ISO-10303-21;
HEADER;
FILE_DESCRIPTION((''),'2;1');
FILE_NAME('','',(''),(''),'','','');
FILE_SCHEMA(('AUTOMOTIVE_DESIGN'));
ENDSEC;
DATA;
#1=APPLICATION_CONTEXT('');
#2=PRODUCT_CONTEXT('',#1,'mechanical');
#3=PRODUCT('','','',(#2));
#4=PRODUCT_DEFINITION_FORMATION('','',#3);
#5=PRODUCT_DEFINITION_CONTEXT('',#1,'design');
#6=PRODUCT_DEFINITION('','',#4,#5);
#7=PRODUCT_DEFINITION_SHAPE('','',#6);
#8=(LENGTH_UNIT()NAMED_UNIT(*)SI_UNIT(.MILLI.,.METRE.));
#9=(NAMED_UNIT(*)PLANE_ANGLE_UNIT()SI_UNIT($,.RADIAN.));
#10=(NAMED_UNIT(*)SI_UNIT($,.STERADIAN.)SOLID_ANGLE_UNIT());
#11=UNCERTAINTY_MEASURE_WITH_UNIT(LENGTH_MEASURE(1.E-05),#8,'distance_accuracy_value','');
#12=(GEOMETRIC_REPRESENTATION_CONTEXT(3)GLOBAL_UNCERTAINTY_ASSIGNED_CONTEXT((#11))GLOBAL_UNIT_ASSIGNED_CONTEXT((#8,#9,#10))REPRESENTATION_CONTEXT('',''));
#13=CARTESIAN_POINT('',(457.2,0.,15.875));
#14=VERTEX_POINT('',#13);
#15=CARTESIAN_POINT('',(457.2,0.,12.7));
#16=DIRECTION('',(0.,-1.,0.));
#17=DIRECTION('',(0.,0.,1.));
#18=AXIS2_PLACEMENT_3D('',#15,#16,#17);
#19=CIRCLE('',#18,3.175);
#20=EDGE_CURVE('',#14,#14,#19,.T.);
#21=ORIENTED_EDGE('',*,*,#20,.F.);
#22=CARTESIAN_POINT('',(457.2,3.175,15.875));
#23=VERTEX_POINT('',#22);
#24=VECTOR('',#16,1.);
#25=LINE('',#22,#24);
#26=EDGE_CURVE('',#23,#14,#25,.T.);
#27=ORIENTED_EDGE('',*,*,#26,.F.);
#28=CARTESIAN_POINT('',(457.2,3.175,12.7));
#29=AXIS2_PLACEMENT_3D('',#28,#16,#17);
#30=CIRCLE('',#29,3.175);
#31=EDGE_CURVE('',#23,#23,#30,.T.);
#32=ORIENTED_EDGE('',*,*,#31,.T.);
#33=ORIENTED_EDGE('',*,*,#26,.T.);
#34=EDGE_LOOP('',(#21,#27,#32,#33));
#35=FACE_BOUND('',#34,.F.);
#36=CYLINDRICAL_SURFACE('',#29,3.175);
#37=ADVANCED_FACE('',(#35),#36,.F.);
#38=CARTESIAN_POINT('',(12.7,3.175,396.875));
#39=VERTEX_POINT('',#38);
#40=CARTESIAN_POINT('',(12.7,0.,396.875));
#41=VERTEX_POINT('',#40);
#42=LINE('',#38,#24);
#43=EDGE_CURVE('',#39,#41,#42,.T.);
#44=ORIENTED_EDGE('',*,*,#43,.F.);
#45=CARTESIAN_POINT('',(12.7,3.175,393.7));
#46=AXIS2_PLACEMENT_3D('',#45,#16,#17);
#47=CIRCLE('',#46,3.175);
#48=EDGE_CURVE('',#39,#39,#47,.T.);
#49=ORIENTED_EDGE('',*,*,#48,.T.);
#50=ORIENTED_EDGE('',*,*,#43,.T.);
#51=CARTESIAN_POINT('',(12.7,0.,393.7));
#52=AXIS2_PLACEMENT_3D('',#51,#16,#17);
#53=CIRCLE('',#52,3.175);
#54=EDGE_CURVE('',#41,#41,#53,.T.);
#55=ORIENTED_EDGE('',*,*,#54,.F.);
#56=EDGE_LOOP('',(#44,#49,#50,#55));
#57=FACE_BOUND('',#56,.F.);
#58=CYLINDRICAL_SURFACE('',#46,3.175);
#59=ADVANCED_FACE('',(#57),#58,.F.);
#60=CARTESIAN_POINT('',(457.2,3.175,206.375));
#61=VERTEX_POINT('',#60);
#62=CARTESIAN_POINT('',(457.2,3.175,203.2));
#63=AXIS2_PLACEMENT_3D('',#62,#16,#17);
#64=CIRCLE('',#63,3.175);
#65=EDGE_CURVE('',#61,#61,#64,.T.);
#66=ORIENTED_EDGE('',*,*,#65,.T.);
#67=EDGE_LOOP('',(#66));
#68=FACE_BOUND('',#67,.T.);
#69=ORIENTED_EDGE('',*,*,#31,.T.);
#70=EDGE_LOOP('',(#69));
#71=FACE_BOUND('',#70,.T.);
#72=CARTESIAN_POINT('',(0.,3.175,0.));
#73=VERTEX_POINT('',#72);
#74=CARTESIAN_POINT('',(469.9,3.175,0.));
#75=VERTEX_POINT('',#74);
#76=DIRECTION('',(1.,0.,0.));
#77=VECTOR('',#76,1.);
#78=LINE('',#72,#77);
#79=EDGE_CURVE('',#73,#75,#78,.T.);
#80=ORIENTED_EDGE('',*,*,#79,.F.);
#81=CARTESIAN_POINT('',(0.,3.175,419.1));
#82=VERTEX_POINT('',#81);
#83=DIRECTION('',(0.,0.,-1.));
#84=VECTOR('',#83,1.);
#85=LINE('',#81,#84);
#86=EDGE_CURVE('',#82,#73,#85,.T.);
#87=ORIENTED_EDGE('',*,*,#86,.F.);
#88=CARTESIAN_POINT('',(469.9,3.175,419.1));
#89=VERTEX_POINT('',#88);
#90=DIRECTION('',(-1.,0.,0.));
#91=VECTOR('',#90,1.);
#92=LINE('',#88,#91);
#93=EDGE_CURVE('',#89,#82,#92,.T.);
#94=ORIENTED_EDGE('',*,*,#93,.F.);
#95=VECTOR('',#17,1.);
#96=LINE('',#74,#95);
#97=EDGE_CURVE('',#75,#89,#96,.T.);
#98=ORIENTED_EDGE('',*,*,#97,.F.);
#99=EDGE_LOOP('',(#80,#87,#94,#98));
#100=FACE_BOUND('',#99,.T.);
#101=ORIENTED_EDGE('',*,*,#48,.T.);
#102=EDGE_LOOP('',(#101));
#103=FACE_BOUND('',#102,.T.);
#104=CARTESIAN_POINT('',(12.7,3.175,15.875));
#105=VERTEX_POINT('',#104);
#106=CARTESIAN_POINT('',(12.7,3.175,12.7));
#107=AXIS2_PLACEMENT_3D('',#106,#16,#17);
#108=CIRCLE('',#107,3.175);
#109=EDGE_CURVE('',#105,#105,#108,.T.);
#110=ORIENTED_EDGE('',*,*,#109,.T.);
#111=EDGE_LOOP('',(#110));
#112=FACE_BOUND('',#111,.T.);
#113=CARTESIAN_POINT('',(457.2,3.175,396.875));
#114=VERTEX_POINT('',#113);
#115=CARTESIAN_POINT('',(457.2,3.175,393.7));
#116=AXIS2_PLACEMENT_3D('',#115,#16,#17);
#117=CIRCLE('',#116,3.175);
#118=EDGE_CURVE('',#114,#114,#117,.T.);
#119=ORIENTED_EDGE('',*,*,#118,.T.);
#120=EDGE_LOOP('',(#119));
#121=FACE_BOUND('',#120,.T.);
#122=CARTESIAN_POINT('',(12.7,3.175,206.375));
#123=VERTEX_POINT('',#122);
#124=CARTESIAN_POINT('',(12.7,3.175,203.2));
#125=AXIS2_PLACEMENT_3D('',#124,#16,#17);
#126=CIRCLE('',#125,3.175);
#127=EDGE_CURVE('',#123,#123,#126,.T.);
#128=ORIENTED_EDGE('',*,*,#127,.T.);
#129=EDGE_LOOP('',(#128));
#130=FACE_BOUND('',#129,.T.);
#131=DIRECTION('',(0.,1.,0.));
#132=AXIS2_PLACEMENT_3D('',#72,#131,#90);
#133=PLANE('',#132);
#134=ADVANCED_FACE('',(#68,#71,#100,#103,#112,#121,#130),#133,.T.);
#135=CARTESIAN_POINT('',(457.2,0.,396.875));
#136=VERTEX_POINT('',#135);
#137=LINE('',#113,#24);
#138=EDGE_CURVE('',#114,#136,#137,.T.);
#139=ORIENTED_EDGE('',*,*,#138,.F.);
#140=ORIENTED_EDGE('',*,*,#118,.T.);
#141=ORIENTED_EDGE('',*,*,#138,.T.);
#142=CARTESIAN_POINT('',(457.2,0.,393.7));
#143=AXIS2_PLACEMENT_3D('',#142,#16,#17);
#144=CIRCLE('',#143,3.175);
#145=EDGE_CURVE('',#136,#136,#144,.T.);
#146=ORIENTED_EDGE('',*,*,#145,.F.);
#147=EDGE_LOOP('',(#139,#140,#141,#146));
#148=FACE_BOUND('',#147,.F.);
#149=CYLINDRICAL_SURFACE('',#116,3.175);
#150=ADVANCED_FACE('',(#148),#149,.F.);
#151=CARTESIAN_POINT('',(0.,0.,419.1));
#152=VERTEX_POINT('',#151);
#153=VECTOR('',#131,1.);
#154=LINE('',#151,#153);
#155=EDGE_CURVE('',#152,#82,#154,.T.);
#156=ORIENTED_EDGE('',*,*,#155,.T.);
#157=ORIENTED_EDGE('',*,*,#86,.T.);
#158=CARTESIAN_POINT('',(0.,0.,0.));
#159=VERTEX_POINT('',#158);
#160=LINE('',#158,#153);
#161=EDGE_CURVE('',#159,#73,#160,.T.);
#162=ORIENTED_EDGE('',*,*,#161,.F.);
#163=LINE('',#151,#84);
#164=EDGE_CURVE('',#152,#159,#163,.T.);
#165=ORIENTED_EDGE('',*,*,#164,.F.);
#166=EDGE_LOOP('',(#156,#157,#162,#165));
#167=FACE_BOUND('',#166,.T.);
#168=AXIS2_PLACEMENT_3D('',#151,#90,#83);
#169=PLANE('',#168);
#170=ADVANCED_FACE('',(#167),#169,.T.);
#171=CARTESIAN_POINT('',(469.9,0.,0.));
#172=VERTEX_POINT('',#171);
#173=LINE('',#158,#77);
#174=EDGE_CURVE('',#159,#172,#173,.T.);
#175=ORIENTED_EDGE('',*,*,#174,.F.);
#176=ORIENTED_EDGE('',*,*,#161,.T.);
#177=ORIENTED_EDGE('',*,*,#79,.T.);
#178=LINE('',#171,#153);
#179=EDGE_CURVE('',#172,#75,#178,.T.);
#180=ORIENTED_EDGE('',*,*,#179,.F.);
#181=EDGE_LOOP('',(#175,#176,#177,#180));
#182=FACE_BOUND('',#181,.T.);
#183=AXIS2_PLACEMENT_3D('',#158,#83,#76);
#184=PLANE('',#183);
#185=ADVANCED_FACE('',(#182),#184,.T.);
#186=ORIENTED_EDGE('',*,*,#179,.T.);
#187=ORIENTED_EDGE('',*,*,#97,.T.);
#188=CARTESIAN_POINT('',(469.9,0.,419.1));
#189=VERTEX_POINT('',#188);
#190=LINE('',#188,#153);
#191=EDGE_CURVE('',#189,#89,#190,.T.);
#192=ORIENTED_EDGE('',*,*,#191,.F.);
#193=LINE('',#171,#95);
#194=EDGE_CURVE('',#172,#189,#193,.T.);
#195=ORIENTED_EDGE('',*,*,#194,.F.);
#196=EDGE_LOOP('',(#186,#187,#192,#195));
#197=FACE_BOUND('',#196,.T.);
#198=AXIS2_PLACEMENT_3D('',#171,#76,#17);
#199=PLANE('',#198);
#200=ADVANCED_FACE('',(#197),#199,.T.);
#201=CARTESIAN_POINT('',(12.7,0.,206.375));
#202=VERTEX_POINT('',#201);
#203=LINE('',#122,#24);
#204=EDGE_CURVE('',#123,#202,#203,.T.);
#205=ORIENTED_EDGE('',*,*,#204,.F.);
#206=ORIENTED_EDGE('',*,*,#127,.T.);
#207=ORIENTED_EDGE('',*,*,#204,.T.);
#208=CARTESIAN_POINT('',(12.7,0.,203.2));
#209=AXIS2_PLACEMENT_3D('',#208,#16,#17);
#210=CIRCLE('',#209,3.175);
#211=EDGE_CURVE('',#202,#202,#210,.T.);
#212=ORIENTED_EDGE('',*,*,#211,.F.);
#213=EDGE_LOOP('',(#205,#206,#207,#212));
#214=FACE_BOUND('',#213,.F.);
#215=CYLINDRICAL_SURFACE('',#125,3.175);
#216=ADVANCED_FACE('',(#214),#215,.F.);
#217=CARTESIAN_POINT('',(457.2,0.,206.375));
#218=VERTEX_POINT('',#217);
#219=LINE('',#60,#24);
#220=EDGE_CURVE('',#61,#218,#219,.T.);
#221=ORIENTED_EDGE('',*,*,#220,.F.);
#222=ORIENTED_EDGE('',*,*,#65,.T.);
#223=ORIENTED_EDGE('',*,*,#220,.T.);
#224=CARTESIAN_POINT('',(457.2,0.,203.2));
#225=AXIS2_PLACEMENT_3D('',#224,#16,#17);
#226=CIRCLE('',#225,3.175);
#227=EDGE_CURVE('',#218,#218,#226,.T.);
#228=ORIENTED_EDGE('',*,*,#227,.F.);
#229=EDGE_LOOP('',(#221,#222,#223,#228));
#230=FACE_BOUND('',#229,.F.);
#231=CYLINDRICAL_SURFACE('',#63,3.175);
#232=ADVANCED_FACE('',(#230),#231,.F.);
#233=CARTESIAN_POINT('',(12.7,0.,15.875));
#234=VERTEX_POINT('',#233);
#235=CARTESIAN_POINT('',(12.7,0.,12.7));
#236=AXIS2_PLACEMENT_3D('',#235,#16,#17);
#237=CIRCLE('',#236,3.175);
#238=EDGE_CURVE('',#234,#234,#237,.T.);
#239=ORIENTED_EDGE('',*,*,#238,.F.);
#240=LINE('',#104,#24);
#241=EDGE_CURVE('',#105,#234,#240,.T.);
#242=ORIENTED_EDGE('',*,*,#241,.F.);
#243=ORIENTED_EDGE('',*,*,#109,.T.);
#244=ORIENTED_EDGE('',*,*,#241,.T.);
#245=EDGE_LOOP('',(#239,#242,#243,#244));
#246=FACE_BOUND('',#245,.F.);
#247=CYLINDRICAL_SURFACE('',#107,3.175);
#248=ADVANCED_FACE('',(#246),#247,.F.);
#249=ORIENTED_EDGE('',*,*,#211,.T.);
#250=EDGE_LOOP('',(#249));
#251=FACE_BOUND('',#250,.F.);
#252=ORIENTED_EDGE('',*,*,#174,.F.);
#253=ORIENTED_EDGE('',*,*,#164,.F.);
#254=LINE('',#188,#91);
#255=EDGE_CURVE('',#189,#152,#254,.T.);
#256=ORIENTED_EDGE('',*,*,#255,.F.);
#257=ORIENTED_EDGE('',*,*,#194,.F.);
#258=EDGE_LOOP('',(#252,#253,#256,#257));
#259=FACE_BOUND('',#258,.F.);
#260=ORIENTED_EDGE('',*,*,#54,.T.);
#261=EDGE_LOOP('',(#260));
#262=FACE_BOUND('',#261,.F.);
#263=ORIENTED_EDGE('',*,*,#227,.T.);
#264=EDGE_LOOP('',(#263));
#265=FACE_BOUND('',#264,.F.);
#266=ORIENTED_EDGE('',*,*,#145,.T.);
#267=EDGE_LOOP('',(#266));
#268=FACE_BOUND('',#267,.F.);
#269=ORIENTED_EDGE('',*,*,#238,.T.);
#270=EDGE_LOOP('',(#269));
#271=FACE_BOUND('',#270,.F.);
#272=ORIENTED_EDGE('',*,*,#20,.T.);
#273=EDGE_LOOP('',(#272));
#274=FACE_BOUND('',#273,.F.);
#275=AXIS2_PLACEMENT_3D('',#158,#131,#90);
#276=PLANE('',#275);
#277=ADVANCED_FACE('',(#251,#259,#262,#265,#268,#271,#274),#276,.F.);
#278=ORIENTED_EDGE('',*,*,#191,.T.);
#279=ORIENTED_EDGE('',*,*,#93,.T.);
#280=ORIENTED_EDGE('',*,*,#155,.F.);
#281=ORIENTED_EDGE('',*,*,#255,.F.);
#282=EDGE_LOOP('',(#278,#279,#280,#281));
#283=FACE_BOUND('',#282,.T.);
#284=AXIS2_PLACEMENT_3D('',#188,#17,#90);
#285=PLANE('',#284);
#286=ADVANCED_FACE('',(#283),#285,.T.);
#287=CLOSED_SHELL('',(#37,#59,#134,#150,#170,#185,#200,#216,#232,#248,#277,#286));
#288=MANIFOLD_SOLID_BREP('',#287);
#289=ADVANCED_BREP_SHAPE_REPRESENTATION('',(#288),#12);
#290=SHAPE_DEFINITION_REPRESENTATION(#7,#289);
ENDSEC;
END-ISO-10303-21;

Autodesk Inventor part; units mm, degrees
ref_plane "YZ Plane" through (0, 0, 0) normal (1, 0, 0) x (0, 1, 0)
ref_plane "XZ Plane" through (0, 0, 0) normal (0, 1, 0) x (-1, 0, 0)
ref_plane "XY Plane" through (0, 0, 0) normal (0, 0, 1) x (1, 0, 0)
sketch "Sketch1" plane through (0, 0, 0) normal (0, 1, 0) x (-1, 0, 0)
  line L0 (0, 0) -> (-469.9, 0)
  line L1 (-469.9, 0) -> (-469.9, 419.1)
  line L2 (-469.9, 419.1) -> (0, 419.1)
  line L3 (0, 419.1) -> (0, 0)
  dimension "d0" = 469.9
  dimension "d1" = 419.1
extrude "Extrusion1" add sketch "Sketch1" along normal blind 3.175
sketch "Sketch2" plane through (0, 3.175, 0) normal (0, 1, 0) x (1, 0, 0)
  line L0 (469.9, 0) -> (0, 0) projected
  line L1 (0, 0) -> (0, -419.1) projected
  line L2 (0, -419.1) -> (469.9, -419.1) projected
  line L3 (469.9, -419.1) -> (469.9, 0) projected
  point P0 (12.7, -12.7)
  point P1 (12.7, -203.2)
  point P2 (12.7, -393.7)
  point P3 (457.2, -12.7)
  point P4 (457.2, -203.2)
  point P5 (457.2, -393.7)
  dimension "d4" = 12.7
  dimension "d5" = 12.7
  dimension "d6" = 12.7
  dimension "d7" = 12.7
  dimension "d8" = 12.7
  dimension "d11" = 12.7
  dimension "d12" = 12.7
  dimension "d13" = 12.7
  dimension "d14" = 203.2
  dimension "d15" = 203.2
  dimension "d16" = 25.4
  dimension "d17" = 25.4
hole "Hole1" at (12.7, 3.175, 12.7) at (12.7, 3.175, 203.2) at (12.7, 3.175, 393.7) at (457.2, 3.175, 12.7) at (457.2, 3.175, 203.2) at (457.2, 3.175, 393.7) direction (0, -1, 0) diameter 6.35 end through all
properties part number "polycarb bottom"
